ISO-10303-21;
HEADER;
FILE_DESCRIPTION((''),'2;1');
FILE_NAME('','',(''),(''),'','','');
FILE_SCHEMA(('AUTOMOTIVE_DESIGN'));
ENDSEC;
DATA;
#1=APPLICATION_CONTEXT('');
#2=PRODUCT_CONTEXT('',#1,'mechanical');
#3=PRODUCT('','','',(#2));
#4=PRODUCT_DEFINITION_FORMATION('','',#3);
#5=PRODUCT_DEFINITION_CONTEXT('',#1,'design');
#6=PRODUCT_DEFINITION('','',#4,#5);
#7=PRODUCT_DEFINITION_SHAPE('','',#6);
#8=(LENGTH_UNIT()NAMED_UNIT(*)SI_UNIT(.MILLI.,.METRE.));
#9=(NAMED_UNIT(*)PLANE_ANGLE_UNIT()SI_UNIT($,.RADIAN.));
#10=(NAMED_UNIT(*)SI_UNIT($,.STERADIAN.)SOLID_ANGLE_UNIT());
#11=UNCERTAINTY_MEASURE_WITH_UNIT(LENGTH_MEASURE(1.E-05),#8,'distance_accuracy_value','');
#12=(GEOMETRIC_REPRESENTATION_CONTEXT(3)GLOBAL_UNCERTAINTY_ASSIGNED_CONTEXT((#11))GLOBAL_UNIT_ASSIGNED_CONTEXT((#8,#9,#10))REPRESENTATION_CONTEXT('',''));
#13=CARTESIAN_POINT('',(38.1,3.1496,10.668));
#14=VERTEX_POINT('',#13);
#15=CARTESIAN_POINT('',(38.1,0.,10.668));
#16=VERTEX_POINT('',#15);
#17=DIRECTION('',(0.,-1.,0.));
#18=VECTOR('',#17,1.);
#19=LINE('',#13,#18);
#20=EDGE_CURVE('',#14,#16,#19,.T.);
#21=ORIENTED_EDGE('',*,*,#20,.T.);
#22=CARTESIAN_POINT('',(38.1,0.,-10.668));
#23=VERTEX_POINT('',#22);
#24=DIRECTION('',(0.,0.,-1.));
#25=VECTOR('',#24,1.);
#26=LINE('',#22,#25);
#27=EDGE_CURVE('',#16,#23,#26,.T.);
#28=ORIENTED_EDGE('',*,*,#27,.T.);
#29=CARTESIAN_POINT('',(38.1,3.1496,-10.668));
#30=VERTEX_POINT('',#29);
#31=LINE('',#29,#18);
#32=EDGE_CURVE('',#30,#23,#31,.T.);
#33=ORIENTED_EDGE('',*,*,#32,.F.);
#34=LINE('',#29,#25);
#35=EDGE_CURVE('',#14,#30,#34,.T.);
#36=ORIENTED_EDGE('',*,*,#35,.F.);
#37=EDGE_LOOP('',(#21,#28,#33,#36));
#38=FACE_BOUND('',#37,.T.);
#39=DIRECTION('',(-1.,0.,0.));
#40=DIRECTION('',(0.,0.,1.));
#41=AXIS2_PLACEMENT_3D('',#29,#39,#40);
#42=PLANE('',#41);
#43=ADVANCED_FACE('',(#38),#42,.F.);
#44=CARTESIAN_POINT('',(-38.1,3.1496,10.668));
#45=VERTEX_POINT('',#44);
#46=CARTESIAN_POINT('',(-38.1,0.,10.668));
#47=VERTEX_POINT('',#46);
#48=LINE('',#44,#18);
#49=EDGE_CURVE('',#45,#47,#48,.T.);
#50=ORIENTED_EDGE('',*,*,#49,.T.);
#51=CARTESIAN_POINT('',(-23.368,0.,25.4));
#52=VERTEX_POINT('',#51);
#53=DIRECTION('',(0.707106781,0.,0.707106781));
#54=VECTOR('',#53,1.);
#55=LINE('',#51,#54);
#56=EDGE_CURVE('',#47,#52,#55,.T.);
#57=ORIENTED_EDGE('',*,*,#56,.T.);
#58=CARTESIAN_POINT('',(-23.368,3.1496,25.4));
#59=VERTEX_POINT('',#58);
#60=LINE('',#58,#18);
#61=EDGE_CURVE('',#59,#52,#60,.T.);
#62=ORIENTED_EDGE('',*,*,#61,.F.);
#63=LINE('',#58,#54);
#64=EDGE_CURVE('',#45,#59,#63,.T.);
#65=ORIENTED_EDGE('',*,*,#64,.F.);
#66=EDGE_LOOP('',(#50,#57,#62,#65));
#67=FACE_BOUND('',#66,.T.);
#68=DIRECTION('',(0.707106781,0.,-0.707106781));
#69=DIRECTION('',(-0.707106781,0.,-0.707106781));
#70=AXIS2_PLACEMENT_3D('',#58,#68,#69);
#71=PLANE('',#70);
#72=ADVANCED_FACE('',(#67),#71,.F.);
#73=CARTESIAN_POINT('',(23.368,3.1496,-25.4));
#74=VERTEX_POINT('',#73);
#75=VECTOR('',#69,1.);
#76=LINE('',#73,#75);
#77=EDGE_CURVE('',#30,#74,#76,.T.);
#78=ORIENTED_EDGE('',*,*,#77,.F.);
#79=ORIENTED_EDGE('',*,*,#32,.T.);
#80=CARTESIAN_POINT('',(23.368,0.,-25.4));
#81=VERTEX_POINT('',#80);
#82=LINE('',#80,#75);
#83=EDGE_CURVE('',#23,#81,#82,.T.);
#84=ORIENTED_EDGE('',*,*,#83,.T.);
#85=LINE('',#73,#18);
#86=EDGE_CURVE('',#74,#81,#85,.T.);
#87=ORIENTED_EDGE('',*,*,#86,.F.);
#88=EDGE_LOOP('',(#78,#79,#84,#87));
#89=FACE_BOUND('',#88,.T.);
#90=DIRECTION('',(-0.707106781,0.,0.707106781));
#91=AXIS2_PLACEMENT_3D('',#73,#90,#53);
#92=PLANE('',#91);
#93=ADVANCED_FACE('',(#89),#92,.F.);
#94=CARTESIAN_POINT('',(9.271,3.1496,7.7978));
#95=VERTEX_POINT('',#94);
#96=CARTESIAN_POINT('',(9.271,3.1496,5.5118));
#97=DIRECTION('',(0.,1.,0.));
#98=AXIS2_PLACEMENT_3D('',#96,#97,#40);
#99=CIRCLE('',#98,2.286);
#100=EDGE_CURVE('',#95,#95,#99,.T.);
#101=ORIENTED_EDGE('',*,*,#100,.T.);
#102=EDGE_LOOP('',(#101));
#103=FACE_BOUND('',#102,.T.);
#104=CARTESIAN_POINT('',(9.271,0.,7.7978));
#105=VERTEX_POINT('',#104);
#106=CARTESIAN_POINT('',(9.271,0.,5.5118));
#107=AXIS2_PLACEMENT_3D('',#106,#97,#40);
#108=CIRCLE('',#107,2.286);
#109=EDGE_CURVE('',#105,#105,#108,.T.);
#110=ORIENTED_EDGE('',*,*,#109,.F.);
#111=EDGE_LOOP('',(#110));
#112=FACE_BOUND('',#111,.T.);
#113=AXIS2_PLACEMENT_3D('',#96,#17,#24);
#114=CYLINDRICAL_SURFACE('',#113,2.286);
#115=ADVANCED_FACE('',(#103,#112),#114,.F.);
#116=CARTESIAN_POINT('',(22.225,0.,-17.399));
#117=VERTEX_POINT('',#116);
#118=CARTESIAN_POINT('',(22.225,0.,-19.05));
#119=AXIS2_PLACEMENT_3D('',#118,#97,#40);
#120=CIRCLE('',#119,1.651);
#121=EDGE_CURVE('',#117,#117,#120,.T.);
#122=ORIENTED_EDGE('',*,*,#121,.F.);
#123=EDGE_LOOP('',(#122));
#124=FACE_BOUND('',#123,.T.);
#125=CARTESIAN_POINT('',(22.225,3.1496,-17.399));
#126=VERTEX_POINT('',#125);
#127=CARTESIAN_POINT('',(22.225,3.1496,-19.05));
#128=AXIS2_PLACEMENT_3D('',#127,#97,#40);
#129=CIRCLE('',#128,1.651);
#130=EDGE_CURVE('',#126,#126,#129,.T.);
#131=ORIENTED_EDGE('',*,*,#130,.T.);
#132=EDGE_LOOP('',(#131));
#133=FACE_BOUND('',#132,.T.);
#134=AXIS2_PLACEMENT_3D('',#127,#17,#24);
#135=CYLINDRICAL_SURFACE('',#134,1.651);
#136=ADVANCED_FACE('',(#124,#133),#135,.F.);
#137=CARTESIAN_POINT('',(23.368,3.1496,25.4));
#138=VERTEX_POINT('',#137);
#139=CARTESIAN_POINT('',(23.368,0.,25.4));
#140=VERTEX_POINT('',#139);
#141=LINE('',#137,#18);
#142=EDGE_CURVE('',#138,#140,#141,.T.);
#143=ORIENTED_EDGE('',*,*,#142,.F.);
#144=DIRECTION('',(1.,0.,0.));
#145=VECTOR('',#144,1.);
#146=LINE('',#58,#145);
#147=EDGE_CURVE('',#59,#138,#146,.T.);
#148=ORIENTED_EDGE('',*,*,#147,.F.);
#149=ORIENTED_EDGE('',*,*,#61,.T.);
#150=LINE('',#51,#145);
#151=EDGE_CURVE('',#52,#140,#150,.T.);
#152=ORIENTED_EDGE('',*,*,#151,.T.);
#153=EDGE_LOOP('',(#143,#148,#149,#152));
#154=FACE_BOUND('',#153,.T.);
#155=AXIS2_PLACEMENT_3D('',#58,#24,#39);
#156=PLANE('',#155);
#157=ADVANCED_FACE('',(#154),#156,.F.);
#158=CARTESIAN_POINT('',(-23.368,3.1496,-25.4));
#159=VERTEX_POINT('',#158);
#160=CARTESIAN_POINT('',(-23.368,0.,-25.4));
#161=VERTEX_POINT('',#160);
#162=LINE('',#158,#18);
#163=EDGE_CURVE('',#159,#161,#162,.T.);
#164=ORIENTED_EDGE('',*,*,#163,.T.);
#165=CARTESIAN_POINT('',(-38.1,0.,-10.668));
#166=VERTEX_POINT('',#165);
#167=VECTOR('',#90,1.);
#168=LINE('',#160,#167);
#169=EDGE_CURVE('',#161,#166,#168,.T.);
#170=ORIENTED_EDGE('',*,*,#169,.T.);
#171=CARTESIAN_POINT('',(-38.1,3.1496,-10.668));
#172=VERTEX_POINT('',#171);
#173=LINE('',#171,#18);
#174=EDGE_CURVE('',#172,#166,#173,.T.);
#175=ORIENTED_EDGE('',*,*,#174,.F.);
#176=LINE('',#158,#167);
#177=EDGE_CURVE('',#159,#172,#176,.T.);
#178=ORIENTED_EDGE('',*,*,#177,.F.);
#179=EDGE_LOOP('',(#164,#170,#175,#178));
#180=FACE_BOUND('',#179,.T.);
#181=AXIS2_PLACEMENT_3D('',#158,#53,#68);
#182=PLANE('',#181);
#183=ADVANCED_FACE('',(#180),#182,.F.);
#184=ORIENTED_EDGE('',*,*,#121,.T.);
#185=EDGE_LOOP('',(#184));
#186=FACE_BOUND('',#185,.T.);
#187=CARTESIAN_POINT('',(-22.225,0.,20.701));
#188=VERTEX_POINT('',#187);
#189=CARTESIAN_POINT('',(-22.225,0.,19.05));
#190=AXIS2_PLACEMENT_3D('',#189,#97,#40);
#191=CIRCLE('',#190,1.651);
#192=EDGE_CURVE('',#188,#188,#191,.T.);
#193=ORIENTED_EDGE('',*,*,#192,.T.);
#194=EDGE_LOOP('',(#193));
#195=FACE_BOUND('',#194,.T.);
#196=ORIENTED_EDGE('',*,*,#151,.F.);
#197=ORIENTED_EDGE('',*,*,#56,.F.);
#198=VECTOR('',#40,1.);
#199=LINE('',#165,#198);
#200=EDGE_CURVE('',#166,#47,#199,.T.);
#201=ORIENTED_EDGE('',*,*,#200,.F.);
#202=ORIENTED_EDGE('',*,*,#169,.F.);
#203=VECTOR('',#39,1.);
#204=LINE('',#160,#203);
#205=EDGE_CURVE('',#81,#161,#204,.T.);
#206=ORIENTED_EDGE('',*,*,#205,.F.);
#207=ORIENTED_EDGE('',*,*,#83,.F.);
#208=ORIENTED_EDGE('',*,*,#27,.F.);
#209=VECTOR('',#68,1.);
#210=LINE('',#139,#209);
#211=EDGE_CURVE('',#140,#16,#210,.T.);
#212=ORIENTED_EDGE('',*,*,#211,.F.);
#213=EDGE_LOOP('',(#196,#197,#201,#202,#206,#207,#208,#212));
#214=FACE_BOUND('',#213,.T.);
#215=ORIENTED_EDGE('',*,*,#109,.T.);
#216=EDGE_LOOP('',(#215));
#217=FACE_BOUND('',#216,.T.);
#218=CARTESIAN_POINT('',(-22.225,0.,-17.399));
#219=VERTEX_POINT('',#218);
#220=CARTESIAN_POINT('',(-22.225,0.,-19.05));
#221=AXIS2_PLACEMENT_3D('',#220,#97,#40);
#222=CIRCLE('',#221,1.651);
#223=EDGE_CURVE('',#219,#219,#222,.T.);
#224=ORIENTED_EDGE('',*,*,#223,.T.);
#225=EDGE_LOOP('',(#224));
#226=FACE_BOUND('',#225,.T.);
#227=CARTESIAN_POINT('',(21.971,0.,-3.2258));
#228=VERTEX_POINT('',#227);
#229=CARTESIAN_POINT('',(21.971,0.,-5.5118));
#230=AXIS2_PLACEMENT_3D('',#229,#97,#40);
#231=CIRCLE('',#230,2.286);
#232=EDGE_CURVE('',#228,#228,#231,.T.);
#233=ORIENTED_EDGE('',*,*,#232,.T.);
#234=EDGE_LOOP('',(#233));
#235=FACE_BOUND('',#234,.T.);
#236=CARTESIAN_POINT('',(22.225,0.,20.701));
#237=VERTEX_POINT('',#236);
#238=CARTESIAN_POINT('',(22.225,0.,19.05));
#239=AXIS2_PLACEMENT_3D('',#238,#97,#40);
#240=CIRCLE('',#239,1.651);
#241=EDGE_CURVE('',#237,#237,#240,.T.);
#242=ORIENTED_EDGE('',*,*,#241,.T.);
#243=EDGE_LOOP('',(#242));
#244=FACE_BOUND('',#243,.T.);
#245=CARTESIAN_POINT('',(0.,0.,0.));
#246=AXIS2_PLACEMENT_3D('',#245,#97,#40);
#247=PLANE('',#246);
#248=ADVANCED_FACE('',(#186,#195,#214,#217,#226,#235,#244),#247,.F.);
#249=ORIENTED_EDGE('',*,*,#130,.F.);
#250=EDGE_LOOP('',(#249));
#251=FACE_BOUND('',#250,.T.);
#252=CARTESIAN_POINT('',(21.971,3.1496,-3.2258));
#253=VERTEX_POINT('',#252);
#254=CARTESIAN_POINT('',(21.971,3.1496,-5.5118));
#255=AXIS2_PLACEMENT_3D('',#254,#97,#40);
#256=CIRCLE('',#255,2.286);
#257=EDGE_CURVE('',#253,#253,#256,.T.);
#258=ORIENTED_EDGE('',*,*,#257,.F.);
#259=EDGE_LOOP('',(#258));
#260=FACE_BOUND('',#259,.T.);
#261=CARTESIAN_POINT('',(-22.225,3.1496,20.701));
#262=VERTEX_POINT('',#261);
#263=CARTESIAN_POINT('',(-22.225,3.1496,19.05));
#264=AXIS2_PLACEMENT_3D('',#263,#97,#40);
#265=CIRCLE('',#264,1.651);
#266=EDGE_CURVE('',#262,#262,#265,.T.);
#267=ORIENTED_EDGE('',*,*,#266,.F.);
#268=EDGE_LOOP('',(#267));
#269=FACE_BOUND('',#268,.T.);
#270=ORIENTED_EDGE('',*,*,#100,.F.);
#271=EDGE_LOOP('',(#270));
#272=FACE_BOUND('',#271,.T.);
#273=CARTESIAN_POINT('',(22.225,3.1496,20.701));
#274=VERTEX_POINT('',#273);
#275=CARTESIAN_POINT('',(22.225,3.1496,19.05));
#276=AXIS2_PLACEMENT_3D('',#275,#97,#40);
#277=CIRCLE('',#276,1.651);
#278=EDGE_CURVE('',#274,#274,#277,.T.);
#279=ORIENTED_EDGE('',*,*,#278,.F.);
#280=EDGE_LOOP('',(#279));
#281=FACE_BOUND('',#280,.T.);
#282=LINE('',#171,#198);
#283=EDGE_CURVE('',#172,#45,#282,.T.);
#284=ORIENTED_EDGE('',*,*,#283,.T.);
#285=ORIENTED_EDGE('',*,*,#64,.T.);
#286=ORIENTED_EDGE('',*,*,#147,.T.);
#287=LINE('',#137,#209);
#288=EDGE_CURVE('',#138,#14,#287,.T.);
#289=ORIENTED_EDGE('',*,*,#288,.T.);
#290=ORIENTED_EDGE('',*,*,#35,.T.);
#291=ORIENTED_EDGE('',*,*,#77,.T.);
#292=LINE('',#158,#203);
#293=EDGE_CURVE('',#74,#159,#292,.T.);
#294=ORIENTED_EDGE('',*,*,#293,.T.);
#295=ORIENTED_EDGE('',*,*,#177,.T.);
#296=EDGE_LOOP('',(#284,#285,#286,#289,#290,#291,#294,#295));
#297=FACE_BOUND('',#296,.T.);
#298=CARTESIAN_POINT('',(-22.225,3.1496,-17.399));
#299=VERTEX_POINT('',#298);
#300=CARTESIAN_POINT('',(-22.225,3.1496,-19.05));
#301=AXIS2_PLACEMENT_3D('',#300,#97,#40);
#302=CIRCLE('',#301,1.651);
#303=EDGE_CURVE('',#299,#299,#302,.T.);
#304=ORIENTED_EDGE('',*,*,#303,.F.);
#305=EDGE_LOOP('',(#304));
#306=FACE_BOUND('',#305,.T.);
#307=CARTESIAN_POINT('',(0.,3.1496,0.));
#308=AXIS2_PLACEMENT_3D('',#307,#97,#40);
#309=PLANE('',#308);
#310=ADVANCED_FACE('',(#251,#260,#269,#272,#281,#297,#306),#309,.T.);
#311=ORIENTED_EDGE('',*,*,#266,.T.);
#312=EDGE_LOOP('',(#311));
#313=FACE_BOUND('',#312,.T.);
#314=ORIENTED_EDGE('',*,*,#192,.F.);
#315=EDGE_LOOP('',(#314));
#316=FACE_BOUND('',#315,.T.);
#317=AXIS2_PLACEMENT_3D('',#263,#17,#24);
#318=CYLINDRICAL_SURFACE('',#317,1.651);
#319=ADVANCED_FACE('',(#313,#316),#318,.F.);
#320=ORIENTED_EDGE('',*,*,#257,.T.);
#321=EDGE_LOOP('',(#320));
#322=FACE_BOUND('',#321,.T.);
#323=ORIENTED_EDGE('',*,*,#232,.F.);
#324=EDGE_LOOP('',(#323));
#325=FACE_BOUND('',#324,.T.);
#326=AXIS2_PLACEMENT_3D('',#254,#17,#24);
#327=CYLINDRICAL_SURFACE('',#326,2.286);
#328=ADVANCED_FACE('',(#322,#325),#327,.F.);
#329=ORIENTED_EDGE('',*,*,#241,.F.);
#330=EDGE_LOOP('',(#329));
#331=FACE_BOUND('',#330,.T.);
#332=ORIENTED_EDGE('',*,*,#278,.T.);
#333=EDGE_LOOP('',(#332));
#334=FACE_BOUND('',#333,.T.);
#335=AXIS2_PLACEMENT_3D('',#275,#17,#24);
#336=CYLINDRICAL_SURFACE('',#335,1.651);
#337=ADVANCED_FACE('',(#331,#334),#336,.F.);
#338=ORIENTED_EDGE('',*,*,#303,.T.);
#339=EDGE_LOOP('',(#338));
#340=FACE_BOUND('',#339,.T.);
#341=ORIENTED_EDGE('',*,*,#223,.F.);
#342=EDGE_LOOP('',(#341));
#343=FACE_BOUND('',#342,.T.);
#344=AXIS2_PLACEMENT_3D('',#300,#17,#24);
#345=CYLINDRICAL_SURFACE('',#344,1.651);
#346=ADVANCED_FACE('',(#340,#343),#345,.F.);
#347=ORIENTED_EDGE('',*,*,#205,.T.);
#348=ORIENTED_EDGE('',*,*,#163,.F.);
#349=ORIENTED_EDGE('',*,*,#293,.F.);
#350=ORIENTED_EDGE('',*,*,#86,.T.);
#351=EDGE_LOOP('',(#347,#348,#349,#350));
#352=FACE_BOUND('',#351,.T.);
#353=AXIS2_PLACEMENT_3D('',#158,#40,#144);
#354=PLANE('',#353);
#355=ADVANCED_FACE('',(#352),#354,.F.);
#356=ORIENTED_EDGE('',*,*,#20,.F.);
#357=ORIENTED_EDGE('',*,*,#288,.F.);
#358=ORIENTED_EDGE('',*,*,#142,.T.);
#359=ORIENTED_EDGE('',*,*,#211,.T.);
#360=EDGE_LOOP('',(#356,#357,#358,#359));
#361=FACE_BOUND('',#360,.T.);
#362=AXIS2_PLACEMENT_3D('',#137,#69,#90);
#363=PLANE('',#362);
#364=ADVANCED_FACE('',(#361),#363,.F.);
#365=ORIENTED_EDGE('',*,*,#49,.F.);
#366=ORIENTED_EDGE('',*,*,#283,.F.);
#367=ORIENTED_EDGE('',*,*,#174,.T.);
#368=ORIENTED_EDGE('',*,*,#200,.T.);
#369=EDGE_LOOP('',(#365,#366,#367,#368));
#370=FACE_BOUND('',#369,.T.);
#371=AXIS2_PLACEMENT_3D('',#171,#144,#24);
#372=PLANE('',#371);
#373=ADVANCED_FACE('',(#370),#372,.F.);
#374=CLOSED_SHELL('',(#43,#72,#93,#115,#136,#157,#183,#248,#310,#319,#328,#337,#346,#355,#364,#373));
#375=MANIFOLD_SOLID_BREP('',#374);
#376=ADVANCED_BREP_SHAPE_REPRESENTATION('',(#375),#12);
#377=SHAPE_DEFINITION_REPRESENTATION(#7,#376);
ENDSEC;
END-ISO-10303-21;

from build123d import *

# Parameters (mm, degrees)
SKETCH1_R           = 1.651
SKETCH1_R_2         = 2.286
BOSS_EXTRUDE1_DEPTH = 3.1496


with BuildPart() as part:
    # Sketch1 → Boss-Extrude1 (new body)
    with BuildSketch(Plane(origin=(0, 0, 0), x_dir=(1, 0, 0), z_dir=(0, 1, 0))):
        Polygon((23.368, -25.4), (38.1, -10.668), (38.1, 10.668), (23.368, 25.4), (-23.368, 25.4), (-38.1, 10.668), (-38.1, -10.668), (-23.368, -25.4), align=None)
        with Locations(Location((-22.225, 19.05, 0), (0, 0, 270))):
            Circle(SKETCH1_R, mode=Mode.SUBTRACT)
        with Locations(Location((22.225, 19.05, 0), (0, 0, 270))):
            Circle(SKETCH1_R, mode=Mode.SUBTRACT)
        with Locations(Location((22.225, -19.05, 0), (0, 0, 270))):
            Circle(SKETCH1_R, mode=Mode.SUBTRACT)
        with Locations(Location((-22.225, -19.05, 0), (0, 0, 270))):
            Circle(SKETCH1_R, mode=Mode.SUBTRACT)
        with Locations(Location((9.271, -5.5118, 0), (0, 0, 270))):
            Circle(SKETCH1_R_2, mode=Mode.SUBTRACT)
        with Locations(Location((21.971, 5.5118, 0), (0, 0, 270))):
            Circle(SKETCH1_R_2, mode=Mode.SUBTRACT)
    extrude(amount=BOSS_EXTRUDE1_DEPTH)


solid = part.part
